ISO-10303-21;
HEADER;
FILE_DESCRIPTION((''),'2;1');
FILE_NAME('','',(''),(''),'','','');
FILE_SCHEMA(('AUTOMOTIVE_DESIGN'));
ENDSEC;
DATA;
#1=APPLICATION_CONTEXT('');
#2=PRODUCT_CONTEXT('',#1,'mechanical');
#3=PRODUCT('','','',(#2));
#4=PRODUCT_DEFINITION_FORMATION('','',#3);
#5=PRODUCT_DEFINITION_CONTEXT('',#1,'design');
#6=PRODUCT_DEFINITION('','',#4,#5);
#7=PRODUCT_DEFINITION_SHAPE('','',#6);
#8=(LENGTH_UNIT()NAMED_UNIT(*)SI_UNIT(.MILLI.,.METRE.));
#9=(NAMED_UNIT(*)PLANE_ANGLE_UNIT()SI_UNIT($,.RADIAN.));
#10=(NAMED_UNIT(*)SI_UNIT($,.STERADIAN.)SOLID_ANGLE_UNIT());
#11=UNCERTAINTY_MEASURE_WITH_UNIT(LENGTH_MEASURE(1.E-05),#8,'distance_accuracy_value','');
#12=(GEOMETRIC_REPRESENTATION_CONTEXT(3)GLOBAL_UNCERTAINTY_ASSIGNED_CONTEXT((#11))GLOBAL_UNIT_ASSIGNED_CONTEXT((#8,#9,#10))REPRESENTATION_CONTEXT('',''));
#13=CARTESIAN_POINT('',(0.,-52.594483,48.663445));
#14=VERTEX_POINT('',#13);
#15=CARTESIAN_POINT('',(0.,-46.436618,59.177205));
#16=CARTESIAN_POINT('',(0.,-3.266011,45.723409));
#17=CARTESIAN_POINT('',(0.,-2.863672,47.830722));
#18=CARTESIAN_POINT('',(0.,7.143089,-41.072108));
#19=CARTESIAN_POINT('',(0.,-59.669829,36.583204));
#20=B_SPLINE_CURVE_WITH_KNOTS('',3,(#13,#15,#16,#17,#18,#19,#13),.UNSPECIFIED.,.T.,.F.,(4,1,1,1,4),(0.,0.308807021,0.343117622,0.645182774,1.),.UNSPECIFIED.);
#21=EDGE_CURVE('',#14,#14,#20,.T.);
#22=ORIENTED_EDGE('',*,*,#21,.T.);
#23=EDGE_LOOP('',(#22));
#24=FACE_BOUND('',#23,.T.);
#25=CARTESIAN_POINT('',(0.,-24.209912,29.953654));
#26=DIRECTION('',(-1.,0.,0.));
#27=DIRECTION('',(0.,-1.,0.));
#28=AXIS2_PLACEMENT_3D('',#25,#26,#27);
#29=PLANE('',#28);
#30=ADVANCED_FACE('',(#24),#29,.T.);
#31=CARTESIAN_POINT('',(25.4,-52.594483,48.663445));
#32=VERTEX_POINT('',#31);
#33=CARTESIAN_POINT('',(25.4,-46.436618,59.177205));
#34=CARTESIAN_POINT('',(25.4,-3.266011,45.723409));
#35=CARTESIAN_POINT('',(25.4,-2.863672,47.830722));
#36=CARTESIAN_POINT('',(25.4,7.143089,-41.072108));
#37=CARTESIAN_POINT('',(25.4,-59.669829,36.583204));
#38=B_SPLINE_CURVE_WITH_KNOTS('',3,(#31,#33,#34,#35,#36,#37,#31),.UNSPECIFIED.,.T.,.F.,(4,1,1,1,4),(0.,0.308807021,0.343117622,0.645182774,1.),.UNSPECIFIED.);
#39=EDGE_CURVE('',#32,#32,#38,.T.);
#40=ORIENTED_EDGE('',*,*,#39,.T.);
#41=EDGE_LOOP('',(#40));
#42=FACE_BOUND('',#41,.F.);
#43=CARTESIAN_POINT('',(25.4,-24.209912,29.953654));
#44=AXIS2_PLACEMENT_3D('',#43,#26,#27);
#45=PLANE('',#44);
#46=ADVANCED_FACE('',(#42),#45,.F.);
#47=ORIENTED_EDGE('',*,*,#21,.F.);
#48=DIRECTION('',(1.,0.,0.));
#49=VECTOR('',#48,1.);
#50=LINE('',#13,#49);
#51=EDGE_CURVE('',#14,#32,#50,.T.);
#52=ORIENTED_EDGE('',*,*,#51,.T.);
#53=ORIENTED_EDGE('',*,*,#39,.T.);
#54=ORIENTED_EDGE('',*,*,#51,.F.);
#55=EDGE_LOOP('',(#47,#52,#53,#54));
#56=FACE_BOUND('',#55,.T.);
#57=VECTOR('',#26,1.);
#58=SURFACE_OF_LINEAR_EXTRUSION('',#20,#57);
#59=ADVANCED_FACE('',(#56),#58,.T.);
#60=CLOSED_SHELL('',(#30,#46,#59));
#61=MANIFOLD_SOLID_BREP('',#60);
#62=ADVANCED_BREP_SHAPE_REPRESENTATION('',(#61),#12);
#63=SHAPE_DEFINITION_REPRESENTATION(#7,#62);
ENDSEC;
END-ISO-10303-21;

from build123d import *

# Parameters (mm, degrees)
F1_DEPTH = 25.4


with BuildPart() as f1:
    # F0 (on Right) → F1 (new body)
    with BuildSketch(Plane.YZ):
        with BuildLine():
            add(Edge.make_bspline(
                [(-52.5944828987, 48.6634448171), (-46.4366181431, 59.1772049637), (-3.2660106409, 45.7234085517), (-2.863672261, 47.8307216874), (7.1430892966, -41.0721081626), (-59.6698288072, 36.5832038913), (-52.5944828987, 48.6634448171)],
                knots=[0, 0, 0, 0, 0.3088070211, 0.3431176221, 0.6451827736, 1, 1, 1, 1], degree=3))
        make_face()
    extrude(amount=F1_DEPTH)


solid = f1.part
